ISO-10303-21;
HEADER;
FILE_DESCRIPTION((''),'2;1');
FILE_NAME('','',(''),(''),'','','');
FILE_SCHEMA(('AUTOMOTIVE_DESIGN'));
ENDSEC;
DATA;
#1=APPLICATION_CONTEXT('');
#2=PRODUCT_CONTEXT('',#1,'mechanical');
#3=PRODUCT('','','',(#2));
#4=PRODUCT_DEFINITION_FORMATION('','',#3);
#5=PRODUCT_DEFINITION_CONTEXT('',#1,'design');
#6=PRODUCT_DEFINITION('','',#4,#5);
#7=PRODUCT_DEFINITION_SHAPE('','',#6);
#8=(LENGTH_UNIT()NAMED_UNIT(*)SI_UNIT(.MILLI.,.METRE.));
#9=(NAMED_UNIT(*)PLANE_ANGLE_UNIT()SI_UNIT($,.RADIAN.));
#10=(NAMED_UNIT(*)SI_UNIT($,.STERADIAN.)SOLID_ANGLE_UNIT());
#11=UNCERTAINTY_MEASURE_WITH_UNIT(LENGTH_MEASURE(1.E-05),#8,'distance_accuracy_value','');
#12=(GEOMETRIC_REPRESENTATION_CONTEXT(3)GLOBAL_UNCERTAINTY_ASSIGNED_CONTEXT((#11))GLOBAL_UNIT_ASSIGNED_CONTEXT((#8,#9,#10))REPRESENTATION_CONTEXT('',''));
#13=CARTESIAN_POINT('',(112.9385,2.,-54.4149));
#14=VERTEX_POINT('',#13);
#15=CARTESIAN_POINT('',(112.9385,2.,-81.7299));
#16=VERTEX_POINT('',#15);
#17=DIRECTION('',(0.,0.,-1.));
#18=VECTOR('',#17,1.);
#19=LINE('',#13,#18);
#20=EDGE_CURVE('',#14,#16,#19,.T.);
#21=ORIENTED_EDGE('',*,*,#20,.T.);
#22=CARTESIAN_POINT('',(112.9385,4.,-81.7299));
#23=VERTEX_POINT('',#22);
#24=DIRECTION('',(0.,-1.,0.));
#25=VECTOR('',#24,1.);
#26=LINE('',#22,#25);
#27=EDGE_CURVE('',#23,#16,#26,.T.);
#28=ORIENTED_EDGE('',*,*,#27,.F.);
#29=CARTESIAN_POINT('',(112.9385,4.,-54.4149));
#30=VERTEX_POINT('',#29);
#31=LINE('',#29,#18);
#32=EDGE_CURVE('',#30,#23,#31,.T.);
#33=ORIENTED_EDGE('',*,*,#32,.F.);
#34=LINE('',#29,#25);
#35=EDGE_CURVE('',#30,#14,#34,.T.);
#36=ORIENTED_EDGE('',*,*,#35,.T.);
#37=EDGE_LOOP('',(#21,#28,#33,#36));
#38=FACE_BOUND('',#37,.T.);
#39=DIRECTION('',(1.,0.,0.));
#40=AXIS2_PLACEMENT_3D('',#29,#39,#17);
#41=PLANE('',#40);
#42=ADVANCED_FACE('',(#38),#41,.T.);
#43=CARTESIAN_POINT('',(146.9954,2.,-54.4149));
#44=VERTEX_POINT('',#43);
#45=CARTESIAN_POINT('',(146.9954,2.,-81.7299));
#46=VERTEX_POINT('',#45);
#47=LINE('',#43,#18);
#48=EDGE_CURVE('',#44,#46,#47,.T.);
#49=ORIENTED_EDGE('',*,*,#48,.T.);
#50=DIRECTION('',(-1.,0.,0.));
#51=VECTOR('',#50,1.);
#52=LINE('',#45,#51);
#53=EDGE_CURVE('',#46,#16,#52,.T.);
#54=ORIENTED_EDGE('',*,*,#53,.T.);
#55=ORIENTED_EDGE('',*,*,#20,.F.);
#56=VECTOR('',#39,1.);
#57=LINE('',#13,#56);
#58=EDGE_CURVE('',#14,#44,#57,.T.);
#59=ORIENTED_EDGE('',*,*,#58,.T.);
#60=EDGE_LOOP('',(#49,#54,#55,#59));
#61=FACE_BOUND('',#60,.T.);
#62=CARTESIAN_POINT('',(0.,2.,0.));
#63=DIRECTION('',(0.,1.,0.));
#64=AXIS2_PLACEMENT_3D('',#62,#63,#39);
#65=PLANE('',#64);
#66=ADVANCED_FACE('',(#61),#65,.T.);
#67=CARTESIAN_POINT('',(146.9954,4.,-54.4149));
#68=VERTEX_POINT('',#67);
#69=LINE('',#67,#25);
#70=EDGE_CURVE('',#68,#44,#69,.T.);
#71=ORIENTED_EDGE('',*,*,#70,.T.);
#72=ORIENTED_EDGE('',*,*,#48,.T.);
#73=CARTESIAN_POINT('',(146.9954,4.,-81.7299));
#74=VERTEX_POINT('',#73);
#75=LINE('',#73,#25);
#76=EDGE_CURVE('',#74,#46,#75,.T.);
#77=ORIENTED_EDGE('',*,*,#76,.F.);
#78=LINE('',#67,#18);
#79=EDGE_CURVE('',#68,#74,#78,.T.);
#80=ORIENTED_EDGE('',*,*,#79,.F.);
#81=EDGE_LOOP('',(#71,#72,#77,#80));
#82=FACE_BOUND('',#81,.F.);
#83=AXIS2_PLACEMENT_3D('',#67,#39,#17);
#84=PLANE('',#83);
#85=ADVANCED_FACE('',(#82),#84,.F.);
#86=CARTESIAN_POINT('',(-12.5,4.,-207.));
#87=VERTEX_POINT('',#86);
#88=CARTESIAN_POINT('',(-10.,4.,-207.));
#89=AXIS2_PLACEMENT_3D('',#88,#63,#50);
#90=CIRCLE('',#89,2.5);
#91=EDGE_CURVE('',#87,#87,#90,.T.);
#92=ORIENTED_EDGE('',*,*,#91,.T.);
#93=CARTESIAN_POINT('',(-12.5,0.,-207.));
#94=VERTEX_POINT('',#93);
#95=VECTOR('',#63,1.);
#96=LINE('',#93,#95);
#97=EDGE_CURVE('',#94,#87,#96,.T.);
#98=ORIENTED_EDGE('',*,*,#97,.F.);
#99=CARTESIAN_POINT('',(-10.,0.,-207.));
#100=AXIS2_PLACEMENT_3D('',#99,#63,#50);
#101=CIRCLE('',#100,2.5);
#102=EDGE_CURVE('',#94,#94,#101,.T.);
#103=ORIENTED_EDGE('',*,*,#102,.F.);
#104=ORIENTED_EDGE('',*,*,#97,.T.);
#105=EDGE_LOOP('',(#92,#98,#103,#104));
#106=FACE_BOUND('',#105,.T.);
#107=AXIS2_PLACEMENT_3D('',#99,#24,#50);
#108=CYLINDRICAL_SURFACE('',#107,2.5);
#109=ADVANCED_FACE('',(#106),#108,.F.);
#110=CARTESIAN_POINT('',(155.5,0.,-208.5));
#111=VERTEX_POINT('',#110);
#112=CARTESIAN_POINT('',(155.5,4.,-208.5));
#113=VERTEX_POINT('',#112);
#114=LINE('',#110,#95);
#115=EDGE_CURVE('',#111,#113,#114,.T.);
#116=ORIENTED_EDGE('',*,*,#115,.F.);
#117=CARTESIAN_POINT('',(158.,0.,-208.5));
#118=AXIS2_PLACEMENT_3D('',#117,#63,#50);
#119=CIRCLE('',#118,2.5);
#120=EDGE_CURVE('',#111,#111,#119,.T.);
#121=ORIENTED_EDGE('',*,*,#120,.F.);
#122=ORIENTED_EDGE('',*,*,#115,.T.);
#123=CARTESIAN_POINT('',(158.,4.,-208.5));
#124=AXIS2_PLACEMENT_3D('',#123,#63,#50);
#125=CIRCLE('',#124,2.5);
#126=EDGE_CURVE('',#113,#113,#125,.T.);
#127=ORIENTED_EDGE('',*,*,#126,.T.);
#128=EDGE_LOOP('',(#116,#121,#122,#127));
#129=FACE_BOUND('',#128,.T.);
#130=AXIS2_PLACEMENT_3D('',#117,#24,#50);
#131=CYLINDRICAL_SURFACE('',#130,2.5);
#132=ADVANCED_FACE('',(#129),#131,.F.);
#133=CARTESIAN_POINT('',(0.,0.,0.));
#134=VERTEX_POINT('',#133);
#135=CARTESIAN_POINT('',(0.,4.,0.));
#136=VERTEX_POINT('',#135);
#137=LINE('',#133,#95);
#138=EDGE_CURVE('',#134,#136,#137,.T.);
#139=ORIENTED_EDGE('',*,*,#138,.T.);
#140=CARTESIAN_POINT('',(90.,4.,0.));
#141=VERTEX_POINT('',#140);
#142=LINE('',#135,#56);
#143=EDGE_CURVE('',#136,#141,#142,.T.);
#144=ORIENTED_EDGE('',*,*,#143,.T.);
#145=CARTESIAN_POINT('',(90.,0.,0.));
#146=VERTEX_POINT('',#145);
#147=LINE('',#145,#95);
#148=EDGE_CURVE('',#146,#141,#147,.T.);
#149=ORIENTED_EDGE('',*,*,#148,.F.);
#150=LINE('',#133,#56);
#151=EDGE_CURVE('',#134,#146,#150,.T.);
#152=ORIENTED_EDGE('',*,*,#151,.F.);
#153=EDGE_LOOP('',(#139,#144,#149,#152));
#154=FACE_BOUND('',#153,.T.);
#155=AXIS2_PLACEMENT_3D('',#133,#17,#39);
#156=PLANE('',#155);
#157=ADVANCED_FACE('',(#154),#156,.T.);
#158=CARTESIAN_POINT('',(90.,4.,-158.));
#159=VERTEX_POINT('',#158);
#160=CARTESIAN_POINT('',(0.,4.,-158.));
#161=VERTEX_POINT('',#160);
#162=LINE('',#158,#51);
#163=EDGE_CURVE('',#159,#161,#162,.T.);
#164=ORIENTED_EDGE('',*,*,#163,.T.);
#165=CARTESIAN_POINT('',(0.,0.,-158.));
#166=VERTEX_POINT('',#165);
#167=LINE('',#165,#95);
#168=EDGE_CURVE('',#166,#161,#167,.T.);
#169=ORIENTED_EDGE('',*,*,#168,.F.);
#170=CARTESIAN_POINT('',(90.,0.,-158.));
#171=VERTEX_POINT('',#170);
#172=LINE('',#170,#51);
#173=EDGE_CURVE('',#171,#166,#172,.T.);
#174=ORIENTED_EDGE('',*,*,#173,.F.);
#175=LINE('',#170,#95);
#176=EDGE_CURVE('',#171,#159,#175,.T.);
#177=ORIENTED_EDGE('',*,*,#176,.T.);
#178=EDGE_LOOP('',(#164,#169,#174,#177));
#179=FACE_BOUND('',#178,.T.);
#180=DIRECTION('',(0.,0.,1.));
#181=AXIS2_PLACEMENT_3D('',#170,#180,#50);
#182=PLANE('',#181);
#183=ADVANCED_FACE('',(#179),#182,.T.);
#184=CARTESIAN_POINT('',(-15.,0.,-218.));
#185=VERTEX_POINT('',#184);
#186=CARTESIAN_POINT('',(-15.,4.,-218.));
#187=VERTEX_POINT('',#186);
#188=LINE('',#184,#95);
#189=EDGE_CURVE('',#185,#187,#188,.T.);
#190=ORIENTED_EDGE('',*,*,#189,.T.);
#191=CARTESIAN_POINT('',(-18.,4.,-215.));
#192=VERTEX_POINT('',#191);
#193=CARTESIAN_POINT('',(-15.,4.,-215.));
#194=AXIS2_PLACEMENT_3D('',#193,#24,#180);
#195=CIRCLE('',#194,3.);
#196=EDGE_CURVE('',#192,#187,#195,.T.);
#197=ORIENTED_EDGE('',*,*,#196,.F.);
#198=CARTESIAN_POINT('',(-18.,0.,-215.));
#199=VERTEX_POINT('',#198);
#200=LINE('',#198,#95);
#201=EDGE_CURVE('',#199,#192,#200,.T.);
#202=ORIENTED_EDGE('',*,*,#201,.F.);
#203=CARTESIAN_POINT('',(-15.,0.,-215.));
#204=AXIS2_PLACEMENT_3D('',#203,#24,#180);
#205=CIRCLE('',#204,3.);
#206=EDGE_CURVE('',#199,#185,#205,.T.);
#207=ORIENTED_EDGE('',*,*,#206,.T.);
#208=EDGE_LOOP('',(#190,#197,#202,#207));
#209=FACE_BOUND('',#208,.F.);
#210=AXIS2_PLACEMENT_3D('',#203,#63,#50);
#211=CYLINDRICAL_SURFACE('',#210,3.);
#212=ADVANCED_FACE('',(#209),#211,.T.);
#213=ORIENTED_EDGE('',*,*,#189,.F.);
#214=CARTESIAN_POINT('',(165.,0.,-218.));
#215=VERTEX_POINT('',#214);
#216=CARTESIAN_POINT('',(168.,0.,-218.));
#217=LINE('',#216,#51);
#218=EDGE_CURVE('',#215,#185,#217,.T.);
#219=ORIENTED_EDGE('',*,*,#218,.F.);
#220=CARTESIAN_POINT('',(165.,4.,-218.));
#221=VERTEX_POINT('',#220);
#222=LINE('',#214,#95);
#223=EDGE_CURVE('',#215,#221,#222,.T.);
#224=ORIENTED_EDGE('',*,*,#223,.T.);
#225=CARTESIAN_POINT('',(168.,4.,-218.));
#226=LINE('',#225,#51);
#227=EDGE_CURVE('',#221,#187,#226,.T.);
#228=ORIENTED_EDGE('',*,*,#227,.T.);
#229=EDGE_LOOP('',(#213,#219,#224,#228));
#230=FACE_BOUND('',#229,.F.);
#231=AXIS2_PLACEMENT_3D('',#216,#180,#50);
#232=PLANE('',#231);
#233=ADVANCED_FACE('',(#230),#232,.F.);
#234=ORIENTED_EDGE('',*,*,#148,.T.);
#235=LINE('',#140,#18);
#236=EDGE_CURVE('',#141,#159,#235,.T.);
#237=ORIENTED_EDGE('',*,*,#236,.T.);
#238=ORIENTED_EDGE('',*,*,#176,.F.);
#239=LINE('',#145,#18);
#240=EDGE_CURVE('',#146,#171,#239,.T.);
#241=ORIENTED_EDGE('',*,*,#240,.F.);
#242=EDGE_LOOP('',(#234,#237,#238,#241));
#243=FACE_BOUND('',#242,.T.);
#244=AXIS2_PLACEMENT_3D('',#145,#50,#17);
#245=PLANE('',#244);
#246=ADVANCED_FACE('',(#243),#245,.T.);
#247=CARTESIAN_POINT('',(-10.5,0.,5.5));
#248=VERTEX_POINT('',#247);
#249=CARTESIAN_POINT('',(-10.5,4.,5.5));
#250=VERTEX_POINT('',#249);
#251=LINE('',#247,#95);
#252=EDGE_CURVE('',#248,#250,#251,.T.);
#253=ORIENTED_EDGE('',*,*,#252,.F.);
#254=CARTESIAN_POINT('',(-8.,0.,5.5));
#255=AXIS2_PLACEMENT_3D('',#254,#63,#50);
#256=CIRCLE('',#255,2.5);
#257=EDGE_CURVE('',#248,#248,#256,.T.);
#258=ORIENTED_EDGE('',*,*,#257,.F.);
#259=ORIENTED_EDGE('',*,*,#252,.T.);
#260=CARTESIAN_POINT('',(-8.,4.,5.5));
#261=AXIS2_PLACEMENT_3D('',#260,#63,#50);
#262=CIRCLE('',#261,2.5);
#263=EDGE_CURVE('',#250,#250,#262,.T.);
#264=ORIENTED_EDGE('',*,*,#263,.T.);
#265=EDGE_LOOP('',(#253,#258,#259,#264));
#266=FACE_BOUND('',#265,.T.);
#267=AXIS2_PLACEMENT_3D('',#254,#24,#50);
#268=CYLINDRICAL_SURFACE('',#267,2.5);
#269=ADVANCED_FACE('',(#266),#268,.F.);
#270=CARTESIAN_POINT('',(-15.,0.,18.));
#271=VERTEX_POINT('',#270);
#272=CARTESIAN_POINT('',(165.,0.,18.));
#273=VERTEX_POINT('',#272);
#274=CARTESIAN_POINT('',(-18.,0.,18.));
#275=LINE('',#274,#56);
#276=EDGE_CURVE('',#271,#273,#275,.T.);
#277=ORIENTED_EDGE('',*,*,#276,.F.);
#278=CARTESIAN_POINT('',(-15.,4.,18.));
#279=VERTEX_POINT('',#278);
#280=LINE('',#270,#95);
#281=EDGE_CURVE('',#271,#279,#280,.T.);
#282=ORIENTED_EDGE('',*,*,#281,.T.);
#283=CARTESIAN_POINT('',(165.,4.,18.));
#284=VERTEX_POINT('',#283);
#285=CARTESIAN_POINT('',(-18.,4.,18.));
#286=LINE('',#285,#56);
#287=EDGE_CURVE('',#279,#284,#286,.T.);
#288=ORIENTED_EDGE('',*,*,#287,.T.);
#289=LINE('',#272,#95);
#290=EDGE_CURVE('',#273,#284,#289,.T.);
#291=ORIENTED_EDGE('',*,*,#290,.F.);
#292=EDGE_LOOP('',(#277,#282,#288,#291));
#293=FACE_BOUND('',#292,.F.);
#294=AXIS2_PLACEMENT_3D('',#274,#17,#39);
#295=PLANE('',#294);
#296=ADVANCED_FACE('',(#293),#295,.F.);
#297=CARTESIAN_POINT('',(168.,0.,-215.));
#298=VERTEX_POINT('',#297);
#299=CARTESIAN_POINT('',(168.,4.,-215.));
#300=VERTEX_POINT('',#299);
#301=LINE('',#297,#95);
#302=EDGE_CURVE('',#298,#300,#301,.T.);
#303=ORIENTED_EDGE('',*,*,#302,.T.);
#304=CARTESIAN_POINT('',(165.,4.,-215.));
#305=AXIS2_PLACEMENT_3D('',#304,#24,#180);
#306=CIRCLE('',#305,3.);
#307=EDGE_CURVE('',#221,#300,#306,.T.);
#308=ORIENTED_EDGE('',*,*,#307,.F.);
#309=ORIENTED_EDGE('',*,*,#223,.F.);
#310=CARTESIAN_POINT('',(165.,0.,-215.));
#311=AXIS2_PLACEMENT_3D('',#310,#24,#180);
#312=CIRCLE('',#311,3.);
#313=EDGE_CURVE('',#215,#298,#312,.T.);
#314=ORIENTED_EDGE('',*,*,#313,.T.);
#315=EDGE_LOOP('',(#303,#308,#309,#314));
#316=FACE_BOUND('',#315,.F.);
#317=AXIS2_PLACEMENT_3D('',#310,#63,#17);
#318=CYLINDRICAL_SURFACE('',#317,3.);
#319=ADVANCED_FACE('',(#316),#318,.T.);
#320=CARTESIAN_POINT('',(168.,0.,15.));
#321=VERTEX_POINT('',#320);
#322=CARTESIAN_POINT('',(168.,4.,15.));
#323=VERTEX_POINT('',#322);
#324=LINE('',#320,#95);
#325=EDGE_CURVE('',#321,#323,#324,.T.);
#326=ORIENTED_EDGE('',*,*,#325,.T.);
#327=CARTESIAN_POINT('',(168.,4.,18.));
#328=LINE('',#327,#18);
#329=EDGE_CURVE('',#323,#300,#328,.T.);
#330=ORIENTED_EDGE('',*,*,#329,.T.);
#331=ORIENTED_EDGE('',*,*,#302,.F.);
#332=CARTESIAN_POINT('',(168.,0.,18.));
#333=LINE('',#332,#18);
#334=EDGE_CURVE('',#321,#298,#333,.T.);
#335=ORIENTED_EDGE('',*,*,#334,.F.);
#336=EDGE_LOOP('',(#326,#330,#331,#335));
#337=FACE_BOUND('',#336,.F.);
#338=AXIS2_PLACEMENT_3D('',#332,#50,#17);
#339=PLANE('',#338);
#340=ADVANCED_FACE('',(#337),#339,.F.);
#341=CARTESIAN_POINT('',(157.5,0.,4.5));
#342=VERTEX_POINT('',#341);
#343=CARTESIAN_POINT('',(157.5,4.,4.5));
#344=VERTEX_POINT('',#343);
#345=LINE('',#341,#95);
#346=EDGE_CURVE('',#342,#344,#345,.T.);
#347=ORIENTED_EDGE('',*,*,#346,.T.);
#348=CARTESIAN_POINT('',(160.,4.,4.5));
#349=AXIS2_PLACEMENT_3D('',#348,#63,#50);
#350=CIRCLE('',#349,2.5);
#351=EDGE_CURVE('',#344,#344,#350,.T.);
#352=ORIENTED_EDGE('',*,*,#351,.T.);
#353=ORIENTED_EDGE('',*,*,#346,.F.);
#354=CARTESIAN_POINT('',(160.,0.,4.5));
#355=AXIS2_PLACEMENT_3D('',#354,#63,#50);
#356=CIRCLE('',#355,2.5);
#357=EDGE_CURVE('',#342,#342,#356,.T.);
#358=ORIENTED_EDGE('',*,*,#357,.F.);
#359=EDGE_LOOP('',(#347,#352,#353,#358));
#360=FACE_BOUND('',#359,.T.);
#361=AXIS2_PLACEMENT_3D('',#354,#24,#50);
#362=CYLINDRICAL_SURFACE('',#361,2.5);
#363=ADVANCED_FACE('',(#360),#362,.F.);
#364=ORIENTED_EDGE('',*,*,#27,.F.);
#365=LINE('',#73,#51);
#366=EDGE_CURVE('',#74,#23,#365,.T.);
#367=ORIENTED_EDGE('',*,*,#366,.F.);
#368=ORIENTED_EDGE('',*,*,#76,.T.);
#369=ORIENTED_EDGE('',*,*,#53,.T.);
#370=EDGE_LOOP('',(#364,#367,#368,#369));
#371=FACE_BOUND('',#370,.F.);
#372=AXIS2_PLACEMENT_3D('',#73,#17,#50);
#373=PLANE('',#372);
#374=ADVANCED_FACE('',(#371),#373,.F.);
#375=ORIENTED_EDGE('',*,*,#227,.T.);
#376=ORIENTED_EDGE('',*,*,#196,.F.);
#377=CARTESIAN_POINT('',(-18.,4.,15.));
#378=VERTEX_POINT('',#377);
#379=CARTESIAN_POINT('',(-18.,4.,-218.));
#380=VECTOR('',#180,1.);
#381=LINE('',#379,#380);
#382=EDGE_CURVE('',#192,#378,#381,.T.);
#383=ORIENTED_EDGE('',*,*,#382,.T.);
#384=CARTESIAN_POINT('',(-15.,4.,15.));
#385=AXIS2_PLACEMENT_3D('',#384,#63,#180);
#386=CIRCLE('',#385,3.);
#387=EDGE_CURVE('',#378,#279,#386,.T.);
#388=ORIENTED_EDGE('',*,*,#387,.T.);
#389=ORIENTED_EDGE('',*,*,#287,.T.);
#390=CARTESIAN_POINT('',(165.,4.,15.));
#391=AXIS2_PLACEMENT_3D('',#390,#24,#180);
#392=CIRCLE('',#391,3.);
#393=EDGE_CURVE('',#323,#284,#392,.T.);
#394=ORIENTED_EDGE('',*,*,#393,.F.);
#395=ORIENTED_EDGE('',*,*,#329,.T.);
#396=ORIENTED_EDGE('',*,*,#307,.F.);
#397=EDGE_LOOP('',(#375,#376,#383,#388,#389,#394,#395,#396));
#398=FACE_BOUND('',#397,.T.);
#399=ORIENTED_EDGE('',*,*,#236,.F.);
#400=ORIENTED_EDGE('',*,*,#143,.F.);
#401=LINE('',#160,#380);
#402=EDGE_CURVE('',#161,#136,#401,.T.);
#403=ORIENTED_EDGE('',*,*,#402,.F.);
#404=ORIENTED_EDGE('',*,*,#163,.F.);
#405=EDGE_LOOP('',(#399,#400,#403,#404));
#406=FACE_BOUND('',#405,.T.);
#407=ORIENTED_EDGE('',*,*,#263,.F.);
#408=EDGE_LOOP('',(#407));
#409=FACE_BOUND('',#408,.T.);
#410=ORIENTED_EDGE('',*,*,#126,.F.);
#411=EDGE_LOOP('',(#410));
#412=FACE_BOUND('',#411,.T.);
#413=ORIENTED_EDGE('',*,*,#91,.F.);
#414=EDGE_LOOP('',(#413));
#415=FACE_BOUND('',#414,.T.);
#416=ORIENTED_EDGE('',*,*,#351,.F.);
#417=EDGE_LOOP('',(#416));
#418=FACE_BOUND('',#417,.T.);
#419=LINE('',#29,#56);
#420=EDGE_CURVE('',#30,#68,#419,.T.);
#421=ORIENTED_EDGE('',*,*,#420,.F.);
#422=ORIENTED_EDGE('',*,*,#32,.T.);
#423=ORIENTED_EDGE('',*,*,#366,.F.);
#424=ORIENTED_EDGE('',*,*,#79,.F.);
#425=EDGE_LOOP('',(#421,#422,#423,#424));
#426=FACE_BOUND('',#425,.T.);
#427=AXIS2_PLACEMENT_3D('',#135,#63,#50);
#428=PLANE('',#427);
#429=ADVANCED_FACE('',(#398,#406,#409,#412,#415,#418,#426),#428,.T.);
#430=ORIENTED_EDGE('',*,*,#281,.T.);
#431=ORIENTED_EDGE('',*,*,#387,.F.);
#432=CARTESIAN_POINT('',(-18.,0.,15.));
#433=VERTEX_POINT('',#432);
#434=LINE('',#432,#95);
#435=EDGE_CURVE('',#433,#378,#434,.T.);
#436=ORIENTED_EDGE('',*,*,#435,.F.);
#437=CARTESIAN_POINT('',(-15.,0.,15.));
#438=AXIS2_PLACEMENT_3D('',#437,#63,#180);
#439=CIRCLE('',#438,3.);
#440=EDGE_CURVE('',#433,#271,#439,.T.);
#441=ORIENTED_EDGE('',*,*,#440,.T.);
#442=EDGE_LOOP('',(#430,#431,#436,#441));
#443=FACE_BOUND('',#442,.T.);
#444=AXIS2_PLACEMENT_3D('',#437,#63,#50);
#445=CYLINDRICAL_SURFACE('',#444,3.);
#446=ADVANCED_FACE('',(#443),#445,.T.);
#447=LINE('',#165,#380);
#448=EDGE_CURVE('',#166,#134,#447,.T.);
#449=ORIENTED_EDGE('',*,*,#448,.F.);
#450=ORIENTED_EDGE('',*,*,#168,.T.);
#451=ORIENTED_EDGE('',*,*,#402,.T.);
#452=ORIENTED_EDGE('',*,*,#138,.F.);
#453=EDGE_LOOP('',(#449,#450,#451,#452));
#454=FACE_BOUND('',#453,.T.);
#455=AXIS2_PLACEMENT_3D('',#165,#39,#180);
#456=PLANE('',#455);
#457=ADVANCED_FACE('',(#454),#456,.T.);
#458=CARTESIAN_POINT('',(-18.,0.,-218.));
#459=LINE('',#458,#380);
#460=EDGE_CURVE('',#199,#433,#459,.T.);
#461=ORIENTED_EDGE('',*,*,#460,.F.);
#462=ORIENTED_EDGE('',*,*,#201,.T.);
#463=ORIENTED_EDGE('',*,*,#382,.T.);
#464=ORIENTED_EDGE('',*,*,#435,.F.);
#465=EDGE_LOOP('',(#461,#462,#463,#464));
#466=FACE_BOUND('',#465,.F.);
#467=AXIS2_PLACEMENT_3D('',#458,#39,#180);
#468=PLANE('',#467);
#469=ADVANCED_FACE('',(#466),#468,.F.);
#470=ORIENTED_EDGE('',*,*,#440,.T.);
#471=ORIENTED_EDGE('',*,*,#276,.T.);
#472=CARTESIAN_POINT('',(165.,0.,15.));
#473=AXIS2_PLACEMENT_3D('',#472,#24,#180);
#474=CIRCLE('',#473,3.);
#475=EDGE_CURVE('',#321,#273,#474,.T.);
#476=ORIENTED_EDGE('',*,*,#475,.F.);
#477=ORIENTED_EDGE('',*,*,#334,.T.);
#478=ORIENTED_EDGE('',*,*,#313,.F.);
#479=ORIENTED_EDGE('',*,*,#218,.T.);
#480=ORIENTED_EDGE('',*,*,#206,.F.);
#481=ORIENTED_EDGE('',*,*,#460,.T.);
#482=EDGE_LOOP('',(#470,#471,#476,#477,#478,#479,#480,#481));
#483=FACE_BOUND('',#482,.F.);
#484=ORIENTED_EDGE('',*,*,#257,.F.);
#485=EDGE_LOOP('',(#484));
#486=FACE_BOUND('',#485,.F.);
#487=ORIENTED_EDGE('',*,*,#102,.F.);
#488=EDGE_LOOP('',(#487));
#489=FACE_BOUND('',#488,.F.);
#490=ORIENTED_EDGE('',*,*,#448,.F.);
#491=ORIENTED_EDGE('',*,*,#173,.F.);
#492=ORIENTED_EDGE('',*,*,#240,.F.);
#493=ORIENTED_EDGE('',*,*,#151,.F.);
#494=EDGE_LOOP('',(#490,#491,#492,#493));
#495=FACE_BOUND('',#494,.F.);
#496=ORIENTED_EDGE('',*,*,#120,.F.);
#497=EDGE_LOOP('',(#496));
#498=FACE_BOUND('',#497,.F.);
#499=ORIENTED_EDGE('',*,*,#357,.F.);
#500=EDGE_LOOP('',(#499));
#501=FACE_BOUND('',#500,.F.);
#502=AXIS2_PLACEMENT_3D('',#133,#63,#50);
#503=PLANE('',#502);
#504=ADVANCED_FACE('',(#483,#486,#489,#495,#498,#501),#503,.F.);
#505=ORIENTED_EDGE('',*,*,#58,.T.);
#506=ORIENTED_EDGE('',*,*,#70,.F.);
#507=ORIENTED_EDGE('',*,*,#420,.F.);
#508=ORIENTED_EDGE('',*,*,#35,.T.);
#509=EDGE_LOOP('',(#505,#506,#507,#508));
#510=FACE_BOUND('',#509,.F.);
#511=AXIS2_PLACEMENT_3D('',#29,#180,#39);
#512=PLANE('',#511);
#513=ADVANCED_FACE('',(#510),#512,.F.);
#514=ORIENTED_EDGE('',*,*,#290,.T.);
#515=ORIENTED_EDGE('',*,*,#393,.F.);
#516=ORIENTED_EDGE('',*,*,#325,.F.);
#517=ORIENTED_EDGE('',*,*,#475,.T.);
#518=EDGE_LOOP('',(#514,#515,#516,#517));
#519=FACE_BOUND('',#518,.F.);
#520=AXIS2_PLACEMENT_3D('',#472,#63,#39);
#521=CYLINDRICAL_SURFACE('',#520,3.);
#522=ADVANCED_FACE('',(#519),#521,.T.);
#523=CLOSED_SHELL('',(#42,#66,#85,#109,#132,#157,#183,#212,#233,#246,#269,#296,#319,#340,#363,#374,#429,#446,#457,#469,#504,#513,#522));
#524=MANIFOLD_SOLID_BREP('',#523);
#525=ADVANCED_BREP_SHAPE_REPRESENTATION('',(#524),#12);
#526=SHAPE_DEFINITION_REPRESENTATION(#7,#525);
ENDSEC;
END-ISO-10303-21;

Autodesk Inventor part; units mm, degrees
ref_plane "YZ Plane" through (0, 0, 0) normal (1, 0, 0) x (0, 1, 0)
ref_plane "XZ Plane" through (0, 0, 0) normal (0, 1, 0) x (-1, 0, 0)
sketch "Skizze1" plane through (0, 0, 0) normal (0, 1, 0) x (-1, 0, 0)
  line L0 (0, 0) -> (-90, 0)
  line L1 (-90, 0) -> (-90, -158)
  line L2 (-90, -158) -> (0, -158)
  line L3 (0, -158) -> (0, 0)
  line L4 (18, 18) -> (-168, 18)
  line L5 (-168, 18) -> (-168, -218)
  line L6 (-168, -218) -> (18, -218)
  line L7 (18, -218) -> (18, 18)
  circle A0 centre (8, 5.5) radius 2.5
  circle A1 centre (10, -207) radius 2.5
  circle A2 centre (-158, -208.5) radius 2.5
  circle A3 centre (-160, 4.5) radius 2.5
  dimension "d0" = 90
  dimension "d1" = 158
  dimension "d2" = 78
  dimension "d3" = 18
  dimension "d4" = 18
  dimension "d5" = 60
  dimension "r" = 5
  dimension "d7" = 5
  dimension "d8" = 5
  dimension "d9" = 5
  dimension "d10" = 8
  dimension "d11" = 5.5
  dimension "d12" = 4.5
  dimension "d13" = 70
  dimension "d14" = 68
  dimension "d15" = 50.5
  dimension "d16" = 49
  dimension "d17" = 10
extrude "Extrusion1" add sketch "Skizze1" along normal blind 4
fillet "Rundung1" radius 3 4 edges at (-18, 2, -218) (-18, 2, 18) (168, 2, 18) (168, 2, -218)
ref_plane "Arbeitsebene1" through (0, 8, 0) normal (0, 1, 0) x (1, 0, 0)
sketch "Skizze3" plane through (0, 4, 0) normal (0, 1, 0) x (1, 0, 0)
  line L0 (112.9385, 54.4149) -> (112.9385, 81.7299)
  line L1 (112.9385, 81.7299) -> (146.9954, 81.7299) construction
  line L2 (146.9954, 81.7299) -> (146.9954, 54.4149) construction
  line L3 (146.9954, 54.4149) -> (112.9385, 54.4149) construction
  line L4 (112.9385, 54.4149) -> (146.9954, 54.4149)
  line L5 (146.9954, 54.4149) -> (146.9954, 81.7299)
  line L6 (146.9954, 81.7299) -> (112.9385, 81.7299)
  line L7 (112.9385, 81.7299) -> (112.9385, 54.4149)
  point P0 (0, 0)
extrude "Extrusion3" cut sketch "Skizze3" against normal blind 2
equation "\"d7\" = r"
equation "\"d8\" = r"
equation "\"d9\" = r"
equation "\"d50\" = a"
equation "\"d51\" = a"
equation "\"d52\" = a"
equation "\"a\" = 2.6"
properties part number "frontpanel"
